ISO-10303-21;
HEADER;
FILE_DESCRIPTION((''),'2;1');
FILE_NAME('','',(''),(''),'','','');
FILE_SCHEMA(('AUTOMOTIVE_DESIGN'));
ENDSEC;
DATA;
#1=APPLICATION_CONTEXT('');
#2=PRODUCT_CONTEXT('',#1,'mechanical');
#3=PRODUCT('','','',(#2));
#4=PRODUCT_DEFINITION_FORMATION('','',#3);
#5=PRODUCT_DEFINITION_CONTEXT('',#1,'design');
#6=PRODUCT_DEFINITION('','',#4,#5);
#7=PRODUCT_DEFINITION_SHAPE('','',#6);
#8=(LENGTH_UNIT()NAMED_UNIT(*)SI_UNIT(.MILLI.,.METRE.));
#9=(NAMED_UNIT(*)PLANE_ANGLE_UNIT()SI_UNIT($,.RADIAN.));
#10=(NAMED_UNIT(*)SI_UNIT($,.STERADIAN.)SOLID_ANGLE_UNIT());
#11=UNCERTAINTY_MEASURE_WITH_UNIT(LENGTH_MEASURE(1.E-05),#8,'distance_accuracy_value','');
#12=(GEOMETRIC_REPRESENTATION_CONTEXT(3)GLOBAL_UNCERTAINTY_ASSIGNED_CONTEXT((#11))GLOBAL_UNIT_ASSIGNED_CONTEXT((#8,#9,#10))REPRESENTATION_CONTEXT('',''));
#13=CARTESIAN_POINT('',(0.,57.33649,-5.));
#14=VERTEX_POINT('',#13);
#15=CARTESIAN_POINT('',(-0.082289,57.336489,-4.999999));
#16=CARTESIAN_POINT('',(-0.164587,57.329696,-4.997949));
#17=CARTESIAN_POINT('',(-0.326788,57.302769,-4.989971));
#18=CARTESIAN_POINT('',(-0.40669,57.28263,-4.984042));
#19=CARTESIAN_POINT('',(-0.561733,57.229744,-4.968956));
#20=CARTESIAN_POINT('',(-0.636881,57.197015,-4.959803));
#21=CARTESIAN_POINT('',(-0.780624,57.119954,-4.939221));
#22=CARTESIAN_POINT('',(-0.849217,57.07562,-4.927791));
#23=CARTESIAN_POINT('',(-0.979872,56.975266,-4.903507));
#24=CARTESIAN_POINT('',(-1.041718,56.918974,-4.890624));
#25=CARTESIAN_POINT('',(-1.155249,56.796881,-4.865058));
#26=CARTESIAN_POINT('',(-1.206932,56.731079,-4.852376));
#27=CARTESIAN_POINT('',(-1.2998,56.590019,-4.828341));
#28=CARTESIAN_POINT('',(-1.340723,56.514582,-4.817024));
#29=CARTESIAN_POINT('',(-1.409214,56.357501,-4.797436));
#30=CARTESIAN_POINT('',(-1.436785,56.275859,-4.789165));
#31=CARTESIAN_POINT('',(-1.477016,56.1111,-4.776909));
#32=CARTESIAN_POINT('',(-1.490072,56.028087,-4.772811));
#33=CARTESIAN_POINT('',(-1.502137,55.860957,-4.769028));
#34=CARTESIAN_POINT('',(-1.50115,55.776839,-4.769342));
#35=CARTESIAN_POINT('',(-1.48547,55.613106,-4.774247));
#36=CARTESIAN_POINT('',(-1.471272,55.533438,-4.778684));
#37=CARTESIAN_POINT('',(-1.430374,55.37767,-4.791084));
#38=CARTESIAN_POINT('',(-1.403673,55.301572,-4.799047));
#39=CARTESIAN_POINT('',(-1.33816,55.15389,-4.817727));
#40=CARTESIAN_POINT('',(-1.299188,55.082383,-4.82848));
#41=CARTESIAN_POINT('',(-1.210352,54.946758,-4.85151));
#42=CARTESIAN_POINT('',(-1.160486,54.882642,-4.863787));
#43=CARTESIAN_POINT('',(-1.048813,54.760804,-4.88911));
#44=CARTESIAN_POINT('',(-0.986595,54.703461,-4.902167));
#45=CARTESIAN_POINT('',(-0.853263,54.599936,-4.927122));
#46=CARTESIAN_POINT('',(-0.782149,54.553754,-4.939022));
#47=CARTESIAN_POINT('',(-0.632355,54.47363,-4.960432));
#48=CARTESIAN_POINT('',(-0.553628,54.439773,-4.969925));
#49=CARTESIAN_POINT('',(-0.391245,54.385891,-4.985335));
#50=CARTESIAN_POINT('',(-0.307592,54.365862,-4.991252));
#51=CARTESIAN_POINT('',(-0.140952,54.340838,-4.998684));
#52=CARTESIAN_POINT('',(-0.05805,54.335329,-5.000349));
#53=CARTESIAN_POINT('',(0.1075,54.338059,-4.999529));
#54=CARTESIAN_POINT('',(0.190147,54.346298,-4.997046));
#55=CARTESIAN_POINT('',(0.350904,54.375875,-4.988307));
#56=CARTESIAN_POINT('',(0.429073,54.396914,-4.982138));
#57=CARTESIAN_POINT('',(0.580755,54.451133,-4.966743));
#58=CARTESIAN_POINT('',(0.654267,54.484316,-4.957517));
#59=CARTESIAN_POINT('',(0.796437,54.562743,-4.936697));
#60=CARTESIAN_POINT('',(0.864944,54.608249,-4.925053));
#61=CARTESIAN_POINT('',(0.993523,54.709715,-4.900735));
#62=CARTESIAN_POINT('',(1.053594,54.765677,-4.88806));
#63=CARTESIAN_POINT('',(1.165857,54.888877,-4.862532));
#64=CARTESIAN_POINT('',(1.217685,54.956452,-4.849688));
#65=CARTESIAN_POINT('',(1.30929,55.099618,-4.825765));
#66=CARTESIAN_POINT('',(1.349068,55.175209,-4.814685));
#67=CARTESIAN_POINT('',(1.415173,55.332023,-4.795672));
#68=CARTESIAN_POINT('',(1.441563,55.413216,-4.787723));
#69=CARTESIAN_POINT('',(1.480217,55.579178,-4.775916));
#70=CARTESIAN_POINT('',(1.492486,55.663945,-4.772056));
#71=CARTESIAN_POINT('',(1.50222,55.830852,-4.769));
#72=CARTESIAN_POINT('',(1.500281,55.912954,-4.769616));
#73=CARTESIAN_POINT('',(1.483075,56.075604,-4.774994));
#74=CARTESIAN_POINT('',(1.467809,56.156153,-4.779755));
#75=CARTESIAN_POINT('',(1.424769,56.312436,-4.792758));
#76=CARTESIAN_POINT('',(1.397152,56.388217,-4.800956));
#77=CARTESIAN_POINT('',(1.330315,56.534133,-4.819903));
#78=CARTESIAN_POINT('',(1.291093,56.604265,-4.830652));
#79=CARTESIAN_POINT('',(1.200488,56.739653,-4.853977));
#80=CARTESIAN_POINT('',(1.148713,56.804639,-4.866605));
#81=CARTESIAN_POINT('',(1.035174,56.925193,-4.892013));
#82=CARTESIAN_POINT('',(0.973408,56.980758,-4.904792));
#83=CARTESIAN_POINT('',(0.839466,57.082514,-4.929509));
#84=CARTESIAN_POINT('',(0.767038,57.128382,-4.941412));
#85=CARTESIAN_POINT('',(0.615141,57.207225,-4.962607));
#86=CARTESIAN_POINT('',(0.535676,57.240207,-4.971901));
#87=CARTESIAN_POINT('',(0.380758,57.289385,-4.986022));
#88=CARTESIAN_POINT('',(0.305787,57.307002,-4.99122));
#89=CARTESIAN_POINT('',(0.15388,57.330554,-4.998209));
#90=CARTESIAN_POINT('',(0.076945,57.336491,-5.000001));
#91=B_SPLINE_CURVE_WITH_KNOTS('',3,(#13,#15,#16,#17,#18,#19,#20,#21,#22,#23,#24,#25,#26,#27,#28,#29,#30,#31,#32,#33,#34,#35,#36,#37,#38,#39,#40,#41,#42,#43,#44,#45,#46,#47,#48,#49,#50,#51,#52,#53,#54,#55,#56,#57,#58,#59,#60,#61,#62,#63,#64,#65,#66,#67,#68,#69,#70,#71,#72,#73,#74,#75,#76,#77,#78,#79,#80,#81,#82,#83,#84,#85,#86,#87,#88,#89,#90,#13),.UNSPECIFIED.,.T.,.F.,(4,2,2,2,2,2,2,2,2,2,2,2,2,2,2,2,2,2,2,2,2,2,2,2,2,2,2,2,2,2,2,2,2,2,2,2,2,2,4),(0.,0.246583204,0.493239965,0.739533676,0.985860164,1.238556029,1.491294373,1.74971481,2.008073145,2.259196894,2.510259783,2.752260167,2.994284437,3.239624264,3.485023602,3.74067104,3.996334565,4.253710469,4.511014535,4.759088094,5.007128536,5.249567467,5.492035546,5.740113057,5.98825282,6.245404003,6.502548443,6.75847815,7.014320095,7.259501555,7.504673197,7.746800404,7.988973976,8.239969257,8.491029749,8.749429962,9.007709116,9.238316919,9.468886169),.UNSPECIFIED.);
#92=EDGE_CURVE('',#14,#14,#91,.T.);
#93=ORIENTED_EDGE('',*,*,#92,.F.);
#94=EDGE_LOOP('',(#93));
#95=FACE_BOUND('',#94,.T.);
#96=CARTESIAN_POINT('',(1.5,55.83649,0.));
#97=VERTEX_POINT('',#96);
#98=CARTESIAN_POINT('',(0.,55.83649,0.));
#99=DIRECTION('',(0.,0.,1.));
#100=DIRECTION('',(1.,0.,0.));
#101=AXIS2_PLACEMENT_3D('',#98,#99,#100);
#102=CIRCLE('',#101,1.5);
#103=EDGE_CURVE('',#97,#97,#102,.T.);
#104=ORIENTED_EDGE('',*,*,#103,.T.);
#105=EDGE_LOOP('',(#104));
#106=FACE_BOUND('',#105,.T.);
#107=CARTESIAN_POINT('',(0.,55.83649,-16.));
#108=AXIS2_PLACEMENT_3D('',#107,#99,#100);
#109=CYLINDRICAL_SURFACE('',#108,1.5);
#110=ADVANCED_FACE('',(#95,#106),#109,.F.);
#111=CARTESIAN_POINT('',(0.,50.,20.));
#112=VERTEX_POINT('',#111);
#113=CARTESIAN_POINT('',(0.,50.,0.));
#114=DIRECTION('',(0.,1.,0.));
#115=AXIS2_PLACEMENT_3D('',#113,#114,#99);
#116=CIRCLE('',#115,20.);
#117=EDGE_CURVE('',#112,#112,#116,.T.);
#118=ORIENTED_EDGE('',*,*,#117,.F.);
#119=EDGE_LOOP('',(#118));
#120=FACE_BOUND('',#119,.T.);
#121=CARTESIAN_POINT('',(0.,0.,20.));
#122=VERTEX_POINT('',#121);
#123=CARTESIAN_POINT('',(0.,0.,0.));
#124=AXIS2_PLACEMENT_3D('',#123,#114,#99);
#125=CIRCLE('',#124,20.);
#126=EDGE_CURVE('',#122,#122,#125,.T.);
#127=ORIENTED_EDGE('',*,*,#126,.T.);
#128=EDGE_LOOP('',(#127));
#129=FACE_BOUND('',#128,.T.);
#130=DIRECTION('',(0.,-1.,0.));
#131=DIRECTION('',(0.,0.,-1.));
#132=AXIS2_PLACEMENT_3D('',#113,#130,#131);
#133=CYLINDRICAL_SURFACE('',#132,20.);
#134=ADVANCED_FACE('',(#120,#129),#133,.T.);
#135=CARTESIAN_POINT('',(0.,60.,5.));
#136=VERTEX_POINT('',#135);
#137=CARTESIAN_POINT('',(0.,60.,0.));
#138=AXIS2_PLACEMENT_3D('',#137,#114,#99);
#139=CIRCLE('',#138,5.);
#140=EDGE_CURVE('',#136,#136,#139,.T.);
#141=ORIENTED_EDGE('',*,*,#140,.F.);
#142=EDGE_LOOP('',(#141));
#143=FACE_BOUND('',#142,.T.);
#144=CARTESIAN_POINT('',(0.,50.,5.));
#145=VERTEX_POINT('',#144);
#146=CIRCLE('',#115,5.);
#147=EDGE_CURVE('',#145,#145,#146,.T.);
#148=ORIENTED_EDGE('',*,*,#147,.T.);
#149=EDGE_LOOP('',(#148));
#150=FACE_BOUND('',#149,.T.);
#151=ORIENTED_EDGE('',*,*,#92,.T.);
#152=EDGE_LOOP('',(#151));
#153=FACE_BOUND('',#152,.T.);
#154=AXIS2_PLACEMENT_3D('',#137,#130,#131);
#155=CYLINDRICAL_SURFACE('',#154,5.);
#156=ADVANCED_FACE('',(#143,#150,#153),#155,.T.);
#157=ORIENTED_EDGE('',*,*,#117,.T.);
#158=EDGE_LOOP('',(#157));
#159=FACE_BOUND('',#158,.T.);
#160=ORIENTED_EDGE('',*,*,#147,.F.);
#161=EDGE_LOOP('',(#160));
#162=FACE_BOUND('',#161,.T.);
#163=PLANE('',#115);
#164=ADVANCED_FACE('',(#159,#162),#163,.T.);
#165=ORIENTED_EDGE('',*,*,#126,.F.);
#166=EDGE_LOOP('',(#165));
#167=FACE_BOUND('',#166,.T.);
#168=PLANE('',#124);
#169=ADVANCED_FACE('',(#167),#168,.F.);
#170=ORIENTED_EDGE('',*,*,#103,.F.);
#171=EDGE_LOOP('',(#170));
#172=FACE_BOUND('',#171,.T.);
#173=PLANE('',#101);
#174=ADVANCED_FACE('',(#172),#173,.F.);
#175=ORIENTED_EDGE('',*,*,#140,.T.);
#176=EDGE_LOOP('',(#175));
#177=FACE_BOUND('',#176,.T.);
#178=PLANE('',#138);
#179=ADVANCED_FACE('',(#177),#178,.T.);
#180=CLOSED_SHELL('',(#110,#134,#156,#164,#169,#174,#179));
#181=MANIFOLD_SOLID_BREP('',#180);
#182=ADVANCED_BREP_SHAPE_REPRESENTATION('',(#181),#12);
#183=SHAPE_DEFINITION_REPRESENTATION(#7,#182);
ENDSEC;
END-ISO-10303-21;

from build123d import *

# Parameters (mm, degrees)
SKETCH1_R           = 20
BOSS_EXTRUDE1_DEPTH = 50
SKETCH2_R           = 5
BOSS_EXTRUDE2_DEPTH = 10
SKETCH3_R           = 1.5
CUT_EXTRUDE1_DEPTH  = 16


with BuildPart() as part:
    # Sketch1 → Boss-Extrude1 (new body)
    with BuildSketch(Plane(origin=(0, 0, 0), x_dir=(1, 0, 0), z_dir=(0, 1, 0))):
        with Locations(Location((0, 0, 0), (0, 0, 270))):
            Circle(SKETCH1_R)
    extrude(amount=BOSS_EXTRUDE1_DEPTH)

    # Sketch2 → Boss-Extrude2 (add)
    with BuildSketch(Plane(origin=(0, 50, 0), x_dir=(1, 0, 0), z_dir=(0, 1, 0))):
        with Locations(Location((0, 0, 0), (0, 0, 270))):
            Circle(SKETCH2_R)
    extrude(amount=BOSS_EXTRUDE2_DEPTH)

    # Sketch3 → Cut-Extrude1 (cut)
    with BuildSketch(Plane.XY):
        with Locations((0, 55.836490144)):
            Circle(SKETCH3_R)
    extrude(amount=-CUT_EXTRUDE1_DEPTH, mode=Mode.SUBTRACT)


solid = part.part
